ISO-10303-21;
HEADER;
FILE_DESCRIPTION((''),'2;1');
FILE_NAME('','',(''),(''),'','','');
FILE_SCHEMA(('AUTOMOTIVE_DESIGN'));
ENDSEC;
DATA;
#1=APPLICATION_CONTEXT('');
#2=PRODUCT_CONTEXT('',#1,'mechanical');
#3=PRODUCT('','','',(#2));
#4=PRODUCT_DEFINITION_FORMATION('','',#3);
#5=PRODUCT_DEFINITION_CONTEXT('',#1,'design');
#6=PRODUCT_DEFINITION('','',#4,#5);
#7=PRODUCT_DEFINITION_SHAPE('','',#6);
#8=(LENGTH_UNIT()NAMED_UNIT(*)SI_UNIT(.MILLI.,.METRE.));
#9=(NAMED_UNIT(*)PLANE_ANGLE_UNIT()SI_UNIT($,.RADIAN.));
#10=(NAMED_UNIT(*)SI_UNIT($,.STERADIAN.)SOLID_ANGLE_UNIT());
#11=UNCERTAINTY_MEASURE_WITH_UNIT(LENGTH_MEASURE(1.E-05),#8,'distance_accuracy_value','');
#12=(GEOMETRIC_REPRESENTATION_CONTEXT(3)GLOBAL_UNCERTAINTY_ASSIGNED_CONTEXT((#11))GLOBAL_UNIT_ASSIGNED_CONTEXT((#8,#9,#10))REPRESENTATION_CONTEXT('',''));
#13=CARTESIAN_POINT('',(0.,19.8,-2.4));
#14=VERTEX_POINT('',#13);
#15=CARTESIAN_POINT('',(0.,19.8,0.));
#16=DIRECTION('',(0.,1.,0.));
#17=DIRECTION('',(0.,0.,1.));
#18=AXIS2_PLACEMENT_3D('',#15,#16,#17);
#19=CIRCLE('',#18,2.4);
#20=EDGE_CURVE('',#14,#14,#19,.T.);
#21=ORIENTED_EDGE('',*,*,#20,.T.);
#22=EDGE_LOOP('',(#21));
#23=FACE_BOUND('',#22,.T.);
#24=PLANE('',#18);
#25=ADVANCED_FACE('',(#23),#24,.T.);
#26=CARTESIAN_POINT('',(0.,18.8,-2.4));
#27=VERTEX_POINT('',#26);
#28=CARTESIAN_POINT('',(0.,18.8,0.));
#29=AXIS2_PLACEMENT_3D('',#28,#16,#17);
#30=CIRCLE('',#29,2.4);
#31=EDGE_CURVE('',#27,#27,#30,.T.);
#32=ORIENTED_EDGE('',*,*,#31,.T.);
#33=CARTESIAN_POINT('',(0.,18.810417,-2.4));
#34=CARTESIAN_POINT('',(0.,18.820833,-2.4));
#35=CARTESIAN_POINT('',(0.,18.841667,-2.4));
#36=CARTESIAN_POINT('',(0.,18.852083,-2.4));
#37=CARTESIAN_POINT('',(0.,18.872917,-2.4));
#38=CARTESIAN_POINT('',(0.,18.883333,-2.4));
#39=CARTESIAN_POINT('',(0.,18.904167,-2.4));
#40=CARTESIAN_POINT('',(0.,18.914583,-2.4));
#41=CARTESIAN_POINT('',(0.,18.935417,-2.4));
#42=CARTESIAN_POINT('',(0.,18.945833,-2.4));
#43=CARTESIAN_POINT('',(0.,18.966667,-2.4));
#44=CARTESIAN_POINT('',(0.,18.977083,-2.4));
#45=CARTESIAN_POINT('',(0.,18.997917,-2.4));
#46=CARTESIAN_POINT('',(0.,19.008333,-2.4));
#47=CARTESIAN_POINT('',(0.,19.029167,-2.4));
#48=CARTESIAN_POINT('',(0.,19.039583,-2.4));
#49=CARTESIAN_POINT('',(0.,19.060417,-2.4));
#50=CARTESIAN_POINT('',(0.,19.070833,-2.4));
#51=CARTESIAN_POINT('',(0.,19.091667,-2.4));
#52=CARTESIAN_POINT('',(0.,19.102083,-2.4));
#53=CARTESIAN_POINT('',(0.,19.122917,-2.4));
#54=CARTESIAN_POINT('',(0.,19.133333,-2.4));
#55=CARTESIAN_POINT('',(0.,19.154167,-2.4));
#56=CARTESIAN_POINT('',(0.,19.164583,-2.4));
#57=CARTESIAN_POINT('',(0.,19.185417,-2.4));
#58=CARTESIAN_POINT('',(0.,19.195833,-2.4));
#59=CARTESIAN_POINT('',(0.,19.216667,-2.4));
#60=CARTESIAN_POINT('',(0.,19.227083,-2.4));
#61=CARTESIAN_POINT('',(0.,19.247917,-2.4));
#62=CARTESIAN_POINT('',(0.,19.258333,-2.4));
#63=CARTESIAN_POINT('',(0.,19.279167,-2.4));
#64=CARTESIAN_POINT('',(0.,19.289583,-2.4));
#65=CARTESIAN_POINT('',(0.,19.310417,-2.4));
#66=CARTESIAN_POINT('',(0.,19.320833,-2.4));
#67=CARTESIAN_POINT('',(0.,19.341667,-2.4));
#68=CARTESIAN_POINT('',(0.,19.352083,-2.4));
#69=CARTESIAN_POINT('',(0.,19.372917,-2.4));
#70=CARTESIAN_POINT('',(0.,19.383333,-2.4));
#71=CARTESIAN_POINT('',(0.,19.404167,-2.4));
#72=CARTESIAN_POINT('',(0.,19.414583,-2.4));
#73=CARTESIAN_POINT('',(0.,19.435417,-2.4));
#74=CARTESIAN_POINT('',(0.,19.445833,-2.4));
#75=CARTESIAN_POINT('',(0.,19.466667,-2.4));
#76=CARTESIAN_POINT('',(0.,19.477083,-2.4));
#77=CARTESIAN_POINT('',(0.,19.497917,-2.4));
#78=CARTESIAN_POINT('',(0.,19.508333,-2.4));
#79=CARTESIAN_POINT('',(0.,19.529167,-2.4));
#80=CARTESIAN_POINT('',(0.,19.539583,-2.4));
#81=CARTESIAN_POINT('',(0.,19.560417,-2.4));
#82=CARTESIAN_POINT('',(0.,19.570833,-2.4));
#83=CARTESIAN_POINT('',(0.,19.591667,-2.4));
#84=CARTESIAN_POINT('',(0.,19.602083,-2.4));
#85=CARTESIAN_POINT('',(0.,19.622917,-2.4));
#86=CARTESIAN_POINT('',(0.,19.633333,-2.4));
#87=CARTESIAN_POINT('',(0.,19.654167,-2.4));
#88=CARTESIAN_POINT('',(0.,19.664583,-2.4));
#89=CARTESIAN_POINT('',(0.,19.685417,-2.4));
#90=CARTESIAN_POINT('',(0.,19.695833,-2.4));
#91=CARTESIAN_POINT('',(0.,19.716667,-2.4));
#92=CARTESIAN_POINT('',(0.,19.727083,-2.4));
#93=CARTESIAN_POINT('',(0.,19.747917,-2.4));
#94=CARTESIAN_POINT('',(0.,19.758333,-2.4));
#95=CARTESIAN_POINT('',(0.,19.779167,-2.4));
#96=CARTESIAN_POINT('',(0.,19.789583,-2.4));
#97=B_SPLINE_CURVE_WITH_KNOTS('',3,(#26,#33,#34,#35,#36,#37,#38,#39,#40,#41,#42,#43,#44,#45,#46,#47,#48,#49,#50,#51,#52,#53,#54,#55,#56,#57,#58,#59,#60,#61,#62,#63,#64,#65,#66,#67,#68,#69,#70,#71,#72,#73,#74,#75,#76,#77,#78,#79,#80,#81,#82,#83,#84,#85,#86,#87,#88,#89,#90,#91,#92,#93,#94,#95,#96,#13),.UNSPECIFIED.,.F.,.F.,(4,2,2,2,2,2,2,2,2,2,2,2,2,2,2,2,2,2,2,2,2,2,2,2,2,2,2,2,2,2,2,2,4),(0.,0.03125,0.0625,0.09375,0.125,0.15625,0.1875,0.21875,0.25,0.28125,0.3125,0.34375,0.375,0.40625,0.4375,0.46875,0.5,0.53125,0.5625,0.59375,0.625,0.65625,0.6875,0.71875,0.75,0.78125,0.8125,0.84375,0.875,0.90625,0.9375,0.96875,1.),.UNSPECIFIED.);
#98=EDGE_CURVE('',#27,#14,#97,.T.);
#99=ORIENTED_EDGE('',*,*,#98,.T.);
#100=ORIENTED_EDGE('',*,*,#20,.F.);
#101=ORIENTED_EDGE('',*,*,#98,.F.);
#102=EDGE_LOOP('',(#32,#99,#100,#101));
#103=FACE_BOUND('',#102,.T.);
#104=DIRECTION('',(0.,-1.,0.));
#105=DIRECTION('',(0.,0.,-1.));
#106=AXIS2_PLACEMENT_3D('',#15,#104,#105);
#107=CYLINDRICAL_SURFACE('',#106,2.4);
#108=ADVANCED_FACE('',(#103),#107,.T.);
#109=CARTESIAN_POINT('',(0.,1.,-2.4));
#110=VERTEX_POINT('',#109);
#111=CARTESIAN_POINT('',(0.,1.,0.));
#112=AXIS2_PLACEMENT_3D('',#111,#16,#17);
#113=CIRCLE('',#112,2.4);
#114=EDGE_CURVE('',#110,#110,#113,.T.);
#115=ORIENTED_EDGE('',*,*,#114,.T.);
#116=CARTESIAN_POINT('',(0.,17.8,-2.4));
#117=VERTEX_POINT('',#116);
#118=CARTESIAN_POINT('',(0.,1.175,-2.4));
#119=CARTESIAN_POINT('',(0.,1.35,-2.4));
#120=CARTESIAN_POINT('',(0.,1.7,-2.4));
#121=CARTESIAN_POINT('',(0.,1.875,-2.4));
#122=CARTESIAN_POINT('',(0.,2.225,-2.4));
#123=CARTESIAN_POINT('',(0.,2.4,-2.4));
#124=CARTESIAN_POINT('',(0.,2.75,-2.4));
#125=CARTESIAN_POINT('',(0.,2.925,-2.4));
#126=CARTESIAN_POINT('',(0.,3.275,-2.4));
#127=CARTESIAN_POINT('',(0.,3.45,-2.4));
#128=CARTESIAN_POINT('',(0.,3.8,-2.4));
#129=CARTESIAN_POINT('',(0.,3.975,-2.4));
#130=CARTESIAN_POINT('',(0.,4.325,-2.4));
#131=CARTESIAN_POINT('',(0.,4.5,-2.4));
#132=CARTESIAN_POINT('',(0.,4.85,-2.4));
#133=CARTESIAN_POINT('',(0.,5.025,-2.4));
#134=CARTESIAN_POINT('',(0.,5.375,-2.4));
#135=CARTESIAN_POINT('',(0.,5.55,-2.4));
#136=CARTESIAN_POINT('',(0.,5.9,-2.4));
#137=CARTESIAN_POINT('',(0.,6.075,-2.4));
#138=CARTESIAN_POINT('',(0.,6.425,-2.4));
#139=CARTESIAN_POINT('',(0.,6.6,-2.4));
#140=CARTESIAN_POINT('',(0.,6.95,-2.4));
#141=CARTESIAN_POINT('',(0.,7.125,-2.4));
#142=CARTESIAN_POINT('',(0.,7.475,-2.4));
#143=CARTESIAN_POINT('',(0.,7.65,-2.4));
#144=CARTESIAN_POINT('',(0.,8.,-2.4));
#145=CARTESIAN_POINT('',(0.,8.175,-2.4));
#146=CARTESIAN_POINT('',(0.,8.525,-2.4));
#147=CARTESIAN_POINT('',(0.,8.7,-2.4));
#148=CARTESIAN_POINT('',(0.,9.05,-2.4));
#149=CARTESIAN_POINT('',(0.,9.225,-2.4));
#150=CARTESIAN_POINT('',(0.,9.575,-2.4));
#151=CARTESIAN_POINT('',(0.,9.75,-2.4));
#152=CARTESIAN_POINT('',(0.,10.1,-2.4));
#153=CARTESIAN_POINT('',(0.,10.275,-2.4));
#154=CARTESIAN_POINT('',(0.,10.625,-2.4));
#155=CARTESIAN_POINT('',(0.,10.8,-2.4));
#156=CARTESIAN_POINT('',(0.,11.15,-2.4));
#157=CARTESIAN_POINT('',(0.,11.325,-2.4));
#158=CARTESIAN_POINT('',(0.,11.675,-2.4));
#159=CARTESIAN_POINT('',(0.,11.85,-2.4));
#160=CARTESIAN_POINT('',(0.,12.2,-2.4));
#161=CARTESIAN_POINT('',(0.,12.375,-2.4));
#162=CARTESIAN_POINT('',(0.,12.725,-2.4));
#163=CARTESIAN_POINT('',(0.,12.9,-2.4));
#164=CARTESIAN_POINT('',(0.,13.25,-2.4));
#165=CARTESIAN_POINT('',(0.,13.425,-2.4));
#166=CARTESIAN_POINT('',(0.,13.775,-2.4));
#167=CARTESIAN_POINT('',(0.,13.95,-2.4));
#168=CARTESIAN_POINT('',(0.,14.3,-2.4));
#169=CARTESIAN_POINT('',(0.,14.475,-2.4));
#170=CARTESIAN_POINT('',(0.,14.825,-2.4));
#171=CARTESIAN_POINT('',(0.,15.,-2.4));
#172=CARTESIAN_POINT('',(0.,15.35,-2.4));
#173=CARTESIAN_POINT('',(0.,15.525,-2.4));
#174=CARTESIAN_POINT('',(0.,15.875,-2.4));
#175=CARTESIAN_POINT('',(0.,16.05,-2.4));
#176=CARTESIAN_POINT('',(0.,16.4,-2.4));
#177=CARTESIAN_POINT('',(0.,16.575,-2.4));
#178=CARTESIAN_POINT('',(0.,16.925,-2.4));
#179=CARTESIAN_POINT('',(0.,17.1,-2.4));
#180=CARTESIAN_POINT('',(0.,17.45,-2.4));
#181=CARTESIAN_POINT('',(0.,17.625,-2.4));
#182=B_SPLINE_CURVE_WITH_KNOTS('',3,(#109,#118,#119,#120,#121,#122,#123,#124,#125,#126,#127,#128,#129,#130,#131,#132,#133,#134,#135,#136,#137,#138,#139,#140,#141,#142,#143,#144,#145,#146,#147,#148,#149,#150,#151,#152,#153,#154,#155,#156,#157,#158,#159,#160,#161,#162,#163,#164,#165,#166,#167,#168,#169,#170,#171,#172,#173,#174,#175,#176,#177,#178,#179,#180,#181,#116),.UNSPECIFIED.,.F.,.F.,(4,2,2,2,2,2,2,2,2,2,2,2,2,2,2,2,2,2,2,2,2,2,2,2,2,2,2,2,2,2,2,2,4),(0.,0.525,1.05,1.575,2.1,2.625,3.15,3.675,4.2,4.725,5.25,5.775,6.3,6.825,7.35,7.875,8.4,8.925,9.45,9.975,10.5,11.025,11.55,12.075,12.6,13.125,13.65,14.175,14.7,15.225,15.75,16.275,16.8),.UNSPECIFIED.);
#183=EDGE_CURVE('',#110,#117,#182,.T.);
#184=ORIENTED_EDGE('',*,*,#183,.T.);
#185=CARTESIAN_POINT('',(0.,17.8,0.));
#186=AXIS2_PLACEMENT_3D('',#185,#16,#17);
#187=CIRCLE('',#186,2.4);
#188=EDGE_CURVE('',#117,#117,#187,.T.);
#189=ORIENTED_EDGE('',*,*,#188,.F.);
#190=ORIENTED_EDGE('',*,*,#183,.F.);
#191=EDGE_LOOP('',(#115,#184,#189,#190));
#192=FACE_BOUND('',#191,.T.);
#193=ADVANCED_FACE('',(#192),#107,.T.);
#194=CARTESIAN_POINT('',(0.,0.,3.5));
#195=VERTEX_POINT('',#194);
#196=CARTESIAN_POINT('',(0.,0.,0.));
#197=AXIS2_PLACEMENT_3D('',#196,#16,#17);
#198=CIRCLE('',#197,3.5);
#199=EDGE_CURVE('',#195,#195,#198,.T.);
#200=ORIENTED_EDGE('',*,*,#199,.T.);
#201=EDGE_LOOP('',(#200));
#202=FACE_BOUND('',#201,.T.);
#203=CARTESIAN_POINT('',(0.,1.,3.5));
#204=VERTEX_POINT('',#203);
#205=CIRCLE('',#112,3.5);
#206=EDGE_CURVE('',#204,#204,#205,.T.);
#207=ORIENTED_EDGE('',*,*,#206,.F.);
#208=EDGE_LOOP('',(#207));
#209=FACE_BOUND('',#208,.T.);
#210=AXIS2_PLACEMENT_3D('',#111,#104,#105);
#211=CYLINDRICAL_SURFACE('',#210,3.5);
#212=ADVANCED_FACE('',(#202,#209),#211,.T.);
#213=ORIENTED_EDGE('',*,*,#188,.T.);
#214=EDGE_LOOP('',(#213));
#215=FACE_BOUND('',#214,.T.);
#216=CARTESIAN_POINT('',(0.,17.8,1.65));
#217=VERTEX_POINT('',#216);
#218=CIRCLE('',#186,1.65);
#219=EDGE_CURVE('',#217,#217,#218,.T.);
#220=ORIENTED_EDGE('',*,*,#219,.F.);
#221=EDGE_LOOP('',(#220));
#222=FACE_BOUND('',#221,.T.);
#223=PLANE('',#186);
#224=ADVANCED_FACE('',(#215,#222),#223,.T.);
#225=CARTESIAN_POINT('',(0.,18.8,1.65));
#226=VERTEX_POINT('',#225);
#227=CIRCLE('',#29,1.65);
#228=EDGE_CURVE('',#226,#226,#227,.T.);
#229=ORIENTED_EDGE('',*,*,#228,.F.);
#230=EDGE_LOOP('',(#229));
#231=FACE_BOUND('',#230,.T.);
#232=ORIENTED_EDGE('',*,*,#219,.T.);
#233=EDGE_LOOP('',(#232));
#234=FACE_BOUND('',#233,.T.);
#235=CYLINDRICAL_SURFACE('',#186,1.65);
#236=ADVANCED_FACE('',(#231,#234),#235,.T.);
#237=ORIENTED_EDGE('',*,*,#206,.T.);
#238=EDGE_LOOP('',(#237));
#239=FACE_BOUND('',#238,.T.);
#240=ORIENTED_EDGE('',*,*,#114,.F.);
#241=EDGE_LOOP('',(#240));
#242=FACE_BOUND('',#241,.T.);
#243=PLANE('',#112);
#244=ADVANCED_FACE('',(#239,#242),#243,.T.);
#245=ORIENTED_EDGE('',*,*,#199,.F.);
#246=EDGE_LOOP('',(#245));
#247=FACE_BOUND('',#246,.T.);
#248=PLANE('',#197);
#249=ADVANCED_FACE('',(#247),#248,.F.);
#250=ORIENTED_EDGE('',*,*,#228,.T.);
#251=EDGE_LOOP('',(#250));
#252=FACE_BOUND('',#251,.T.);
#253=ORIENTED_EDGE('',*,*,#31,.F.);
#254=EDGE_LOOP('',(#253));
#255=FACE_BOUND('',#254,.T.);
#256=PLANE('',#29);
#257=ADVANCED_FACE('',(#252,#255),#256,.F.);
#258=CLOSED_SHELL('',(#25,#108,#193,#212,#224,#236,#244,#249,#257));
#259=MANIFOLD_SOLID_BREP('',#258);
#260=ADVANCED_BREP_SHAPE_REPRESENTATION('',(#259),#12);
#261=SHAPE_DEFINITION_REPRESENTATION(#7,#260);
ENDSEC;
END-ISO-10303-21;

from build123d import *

# Parameters (mm, degrees)
CROQUIS1_R              = 3.5
CROQUIS1_R_2            = 2.4
SALIENTE_EXTRUIR1_DEPTH = 1
CROQUIS1_2_R            = 2.4
SALIENTE_EXTRUIR2_DEPTH = 19.8
CORTAR_EXTRUIR1_START   = -2
CROQUIS2_R              = 2.4
CROQUIS2_R_2            = 1.65
CORTAR_EXTRUIR1_DEPTH   = 1


with BuildPart() as part:
    # Croquis1 → Saliente-Extruir1 (new body)
    with BuildSketch(Plane(origin=(0, 0, 0), x_dir=(1, 0, 0), z_dir=(0, 1, 0))):
        Circle(CROQUIS1_R)
        Circle(CROQUIS1_R_2, mode=Mode.SUBTRACT)
    extrude(amount=SALIENTE_EXTRUIR1_DEPTH)

    # Croquis1<2> → Saliente-Extruir2 (add)
    with BuildSketch(Plane(origin=(0, 0, 0), x_dir=(1, 0, 0), z_dir=(0, 1, 0))):
        Circle(CROQUIS1_2_R)
    extrude(amount=SALIENTE_EXTRUIR2_DEPTH)

    # Croquis2 → Cortar-Extruir1 (cut)
    with BuildSketch(Plane(origin=(0, 19.8, 0), x_dir=(1, 0, 0), z_dir=(0, 1, 0)).offset(CORTAR_EXTRUIR1_START)):
        Circle(CROQUIS2_R)
        Circle(CROQUIS2_R_2, mode=Mode.SUBTRACT)
    extrude(amount=CORTAR_EXTRUIR1_DEPTH, mode=Mode.SUBTRACT)


solid = part.part
